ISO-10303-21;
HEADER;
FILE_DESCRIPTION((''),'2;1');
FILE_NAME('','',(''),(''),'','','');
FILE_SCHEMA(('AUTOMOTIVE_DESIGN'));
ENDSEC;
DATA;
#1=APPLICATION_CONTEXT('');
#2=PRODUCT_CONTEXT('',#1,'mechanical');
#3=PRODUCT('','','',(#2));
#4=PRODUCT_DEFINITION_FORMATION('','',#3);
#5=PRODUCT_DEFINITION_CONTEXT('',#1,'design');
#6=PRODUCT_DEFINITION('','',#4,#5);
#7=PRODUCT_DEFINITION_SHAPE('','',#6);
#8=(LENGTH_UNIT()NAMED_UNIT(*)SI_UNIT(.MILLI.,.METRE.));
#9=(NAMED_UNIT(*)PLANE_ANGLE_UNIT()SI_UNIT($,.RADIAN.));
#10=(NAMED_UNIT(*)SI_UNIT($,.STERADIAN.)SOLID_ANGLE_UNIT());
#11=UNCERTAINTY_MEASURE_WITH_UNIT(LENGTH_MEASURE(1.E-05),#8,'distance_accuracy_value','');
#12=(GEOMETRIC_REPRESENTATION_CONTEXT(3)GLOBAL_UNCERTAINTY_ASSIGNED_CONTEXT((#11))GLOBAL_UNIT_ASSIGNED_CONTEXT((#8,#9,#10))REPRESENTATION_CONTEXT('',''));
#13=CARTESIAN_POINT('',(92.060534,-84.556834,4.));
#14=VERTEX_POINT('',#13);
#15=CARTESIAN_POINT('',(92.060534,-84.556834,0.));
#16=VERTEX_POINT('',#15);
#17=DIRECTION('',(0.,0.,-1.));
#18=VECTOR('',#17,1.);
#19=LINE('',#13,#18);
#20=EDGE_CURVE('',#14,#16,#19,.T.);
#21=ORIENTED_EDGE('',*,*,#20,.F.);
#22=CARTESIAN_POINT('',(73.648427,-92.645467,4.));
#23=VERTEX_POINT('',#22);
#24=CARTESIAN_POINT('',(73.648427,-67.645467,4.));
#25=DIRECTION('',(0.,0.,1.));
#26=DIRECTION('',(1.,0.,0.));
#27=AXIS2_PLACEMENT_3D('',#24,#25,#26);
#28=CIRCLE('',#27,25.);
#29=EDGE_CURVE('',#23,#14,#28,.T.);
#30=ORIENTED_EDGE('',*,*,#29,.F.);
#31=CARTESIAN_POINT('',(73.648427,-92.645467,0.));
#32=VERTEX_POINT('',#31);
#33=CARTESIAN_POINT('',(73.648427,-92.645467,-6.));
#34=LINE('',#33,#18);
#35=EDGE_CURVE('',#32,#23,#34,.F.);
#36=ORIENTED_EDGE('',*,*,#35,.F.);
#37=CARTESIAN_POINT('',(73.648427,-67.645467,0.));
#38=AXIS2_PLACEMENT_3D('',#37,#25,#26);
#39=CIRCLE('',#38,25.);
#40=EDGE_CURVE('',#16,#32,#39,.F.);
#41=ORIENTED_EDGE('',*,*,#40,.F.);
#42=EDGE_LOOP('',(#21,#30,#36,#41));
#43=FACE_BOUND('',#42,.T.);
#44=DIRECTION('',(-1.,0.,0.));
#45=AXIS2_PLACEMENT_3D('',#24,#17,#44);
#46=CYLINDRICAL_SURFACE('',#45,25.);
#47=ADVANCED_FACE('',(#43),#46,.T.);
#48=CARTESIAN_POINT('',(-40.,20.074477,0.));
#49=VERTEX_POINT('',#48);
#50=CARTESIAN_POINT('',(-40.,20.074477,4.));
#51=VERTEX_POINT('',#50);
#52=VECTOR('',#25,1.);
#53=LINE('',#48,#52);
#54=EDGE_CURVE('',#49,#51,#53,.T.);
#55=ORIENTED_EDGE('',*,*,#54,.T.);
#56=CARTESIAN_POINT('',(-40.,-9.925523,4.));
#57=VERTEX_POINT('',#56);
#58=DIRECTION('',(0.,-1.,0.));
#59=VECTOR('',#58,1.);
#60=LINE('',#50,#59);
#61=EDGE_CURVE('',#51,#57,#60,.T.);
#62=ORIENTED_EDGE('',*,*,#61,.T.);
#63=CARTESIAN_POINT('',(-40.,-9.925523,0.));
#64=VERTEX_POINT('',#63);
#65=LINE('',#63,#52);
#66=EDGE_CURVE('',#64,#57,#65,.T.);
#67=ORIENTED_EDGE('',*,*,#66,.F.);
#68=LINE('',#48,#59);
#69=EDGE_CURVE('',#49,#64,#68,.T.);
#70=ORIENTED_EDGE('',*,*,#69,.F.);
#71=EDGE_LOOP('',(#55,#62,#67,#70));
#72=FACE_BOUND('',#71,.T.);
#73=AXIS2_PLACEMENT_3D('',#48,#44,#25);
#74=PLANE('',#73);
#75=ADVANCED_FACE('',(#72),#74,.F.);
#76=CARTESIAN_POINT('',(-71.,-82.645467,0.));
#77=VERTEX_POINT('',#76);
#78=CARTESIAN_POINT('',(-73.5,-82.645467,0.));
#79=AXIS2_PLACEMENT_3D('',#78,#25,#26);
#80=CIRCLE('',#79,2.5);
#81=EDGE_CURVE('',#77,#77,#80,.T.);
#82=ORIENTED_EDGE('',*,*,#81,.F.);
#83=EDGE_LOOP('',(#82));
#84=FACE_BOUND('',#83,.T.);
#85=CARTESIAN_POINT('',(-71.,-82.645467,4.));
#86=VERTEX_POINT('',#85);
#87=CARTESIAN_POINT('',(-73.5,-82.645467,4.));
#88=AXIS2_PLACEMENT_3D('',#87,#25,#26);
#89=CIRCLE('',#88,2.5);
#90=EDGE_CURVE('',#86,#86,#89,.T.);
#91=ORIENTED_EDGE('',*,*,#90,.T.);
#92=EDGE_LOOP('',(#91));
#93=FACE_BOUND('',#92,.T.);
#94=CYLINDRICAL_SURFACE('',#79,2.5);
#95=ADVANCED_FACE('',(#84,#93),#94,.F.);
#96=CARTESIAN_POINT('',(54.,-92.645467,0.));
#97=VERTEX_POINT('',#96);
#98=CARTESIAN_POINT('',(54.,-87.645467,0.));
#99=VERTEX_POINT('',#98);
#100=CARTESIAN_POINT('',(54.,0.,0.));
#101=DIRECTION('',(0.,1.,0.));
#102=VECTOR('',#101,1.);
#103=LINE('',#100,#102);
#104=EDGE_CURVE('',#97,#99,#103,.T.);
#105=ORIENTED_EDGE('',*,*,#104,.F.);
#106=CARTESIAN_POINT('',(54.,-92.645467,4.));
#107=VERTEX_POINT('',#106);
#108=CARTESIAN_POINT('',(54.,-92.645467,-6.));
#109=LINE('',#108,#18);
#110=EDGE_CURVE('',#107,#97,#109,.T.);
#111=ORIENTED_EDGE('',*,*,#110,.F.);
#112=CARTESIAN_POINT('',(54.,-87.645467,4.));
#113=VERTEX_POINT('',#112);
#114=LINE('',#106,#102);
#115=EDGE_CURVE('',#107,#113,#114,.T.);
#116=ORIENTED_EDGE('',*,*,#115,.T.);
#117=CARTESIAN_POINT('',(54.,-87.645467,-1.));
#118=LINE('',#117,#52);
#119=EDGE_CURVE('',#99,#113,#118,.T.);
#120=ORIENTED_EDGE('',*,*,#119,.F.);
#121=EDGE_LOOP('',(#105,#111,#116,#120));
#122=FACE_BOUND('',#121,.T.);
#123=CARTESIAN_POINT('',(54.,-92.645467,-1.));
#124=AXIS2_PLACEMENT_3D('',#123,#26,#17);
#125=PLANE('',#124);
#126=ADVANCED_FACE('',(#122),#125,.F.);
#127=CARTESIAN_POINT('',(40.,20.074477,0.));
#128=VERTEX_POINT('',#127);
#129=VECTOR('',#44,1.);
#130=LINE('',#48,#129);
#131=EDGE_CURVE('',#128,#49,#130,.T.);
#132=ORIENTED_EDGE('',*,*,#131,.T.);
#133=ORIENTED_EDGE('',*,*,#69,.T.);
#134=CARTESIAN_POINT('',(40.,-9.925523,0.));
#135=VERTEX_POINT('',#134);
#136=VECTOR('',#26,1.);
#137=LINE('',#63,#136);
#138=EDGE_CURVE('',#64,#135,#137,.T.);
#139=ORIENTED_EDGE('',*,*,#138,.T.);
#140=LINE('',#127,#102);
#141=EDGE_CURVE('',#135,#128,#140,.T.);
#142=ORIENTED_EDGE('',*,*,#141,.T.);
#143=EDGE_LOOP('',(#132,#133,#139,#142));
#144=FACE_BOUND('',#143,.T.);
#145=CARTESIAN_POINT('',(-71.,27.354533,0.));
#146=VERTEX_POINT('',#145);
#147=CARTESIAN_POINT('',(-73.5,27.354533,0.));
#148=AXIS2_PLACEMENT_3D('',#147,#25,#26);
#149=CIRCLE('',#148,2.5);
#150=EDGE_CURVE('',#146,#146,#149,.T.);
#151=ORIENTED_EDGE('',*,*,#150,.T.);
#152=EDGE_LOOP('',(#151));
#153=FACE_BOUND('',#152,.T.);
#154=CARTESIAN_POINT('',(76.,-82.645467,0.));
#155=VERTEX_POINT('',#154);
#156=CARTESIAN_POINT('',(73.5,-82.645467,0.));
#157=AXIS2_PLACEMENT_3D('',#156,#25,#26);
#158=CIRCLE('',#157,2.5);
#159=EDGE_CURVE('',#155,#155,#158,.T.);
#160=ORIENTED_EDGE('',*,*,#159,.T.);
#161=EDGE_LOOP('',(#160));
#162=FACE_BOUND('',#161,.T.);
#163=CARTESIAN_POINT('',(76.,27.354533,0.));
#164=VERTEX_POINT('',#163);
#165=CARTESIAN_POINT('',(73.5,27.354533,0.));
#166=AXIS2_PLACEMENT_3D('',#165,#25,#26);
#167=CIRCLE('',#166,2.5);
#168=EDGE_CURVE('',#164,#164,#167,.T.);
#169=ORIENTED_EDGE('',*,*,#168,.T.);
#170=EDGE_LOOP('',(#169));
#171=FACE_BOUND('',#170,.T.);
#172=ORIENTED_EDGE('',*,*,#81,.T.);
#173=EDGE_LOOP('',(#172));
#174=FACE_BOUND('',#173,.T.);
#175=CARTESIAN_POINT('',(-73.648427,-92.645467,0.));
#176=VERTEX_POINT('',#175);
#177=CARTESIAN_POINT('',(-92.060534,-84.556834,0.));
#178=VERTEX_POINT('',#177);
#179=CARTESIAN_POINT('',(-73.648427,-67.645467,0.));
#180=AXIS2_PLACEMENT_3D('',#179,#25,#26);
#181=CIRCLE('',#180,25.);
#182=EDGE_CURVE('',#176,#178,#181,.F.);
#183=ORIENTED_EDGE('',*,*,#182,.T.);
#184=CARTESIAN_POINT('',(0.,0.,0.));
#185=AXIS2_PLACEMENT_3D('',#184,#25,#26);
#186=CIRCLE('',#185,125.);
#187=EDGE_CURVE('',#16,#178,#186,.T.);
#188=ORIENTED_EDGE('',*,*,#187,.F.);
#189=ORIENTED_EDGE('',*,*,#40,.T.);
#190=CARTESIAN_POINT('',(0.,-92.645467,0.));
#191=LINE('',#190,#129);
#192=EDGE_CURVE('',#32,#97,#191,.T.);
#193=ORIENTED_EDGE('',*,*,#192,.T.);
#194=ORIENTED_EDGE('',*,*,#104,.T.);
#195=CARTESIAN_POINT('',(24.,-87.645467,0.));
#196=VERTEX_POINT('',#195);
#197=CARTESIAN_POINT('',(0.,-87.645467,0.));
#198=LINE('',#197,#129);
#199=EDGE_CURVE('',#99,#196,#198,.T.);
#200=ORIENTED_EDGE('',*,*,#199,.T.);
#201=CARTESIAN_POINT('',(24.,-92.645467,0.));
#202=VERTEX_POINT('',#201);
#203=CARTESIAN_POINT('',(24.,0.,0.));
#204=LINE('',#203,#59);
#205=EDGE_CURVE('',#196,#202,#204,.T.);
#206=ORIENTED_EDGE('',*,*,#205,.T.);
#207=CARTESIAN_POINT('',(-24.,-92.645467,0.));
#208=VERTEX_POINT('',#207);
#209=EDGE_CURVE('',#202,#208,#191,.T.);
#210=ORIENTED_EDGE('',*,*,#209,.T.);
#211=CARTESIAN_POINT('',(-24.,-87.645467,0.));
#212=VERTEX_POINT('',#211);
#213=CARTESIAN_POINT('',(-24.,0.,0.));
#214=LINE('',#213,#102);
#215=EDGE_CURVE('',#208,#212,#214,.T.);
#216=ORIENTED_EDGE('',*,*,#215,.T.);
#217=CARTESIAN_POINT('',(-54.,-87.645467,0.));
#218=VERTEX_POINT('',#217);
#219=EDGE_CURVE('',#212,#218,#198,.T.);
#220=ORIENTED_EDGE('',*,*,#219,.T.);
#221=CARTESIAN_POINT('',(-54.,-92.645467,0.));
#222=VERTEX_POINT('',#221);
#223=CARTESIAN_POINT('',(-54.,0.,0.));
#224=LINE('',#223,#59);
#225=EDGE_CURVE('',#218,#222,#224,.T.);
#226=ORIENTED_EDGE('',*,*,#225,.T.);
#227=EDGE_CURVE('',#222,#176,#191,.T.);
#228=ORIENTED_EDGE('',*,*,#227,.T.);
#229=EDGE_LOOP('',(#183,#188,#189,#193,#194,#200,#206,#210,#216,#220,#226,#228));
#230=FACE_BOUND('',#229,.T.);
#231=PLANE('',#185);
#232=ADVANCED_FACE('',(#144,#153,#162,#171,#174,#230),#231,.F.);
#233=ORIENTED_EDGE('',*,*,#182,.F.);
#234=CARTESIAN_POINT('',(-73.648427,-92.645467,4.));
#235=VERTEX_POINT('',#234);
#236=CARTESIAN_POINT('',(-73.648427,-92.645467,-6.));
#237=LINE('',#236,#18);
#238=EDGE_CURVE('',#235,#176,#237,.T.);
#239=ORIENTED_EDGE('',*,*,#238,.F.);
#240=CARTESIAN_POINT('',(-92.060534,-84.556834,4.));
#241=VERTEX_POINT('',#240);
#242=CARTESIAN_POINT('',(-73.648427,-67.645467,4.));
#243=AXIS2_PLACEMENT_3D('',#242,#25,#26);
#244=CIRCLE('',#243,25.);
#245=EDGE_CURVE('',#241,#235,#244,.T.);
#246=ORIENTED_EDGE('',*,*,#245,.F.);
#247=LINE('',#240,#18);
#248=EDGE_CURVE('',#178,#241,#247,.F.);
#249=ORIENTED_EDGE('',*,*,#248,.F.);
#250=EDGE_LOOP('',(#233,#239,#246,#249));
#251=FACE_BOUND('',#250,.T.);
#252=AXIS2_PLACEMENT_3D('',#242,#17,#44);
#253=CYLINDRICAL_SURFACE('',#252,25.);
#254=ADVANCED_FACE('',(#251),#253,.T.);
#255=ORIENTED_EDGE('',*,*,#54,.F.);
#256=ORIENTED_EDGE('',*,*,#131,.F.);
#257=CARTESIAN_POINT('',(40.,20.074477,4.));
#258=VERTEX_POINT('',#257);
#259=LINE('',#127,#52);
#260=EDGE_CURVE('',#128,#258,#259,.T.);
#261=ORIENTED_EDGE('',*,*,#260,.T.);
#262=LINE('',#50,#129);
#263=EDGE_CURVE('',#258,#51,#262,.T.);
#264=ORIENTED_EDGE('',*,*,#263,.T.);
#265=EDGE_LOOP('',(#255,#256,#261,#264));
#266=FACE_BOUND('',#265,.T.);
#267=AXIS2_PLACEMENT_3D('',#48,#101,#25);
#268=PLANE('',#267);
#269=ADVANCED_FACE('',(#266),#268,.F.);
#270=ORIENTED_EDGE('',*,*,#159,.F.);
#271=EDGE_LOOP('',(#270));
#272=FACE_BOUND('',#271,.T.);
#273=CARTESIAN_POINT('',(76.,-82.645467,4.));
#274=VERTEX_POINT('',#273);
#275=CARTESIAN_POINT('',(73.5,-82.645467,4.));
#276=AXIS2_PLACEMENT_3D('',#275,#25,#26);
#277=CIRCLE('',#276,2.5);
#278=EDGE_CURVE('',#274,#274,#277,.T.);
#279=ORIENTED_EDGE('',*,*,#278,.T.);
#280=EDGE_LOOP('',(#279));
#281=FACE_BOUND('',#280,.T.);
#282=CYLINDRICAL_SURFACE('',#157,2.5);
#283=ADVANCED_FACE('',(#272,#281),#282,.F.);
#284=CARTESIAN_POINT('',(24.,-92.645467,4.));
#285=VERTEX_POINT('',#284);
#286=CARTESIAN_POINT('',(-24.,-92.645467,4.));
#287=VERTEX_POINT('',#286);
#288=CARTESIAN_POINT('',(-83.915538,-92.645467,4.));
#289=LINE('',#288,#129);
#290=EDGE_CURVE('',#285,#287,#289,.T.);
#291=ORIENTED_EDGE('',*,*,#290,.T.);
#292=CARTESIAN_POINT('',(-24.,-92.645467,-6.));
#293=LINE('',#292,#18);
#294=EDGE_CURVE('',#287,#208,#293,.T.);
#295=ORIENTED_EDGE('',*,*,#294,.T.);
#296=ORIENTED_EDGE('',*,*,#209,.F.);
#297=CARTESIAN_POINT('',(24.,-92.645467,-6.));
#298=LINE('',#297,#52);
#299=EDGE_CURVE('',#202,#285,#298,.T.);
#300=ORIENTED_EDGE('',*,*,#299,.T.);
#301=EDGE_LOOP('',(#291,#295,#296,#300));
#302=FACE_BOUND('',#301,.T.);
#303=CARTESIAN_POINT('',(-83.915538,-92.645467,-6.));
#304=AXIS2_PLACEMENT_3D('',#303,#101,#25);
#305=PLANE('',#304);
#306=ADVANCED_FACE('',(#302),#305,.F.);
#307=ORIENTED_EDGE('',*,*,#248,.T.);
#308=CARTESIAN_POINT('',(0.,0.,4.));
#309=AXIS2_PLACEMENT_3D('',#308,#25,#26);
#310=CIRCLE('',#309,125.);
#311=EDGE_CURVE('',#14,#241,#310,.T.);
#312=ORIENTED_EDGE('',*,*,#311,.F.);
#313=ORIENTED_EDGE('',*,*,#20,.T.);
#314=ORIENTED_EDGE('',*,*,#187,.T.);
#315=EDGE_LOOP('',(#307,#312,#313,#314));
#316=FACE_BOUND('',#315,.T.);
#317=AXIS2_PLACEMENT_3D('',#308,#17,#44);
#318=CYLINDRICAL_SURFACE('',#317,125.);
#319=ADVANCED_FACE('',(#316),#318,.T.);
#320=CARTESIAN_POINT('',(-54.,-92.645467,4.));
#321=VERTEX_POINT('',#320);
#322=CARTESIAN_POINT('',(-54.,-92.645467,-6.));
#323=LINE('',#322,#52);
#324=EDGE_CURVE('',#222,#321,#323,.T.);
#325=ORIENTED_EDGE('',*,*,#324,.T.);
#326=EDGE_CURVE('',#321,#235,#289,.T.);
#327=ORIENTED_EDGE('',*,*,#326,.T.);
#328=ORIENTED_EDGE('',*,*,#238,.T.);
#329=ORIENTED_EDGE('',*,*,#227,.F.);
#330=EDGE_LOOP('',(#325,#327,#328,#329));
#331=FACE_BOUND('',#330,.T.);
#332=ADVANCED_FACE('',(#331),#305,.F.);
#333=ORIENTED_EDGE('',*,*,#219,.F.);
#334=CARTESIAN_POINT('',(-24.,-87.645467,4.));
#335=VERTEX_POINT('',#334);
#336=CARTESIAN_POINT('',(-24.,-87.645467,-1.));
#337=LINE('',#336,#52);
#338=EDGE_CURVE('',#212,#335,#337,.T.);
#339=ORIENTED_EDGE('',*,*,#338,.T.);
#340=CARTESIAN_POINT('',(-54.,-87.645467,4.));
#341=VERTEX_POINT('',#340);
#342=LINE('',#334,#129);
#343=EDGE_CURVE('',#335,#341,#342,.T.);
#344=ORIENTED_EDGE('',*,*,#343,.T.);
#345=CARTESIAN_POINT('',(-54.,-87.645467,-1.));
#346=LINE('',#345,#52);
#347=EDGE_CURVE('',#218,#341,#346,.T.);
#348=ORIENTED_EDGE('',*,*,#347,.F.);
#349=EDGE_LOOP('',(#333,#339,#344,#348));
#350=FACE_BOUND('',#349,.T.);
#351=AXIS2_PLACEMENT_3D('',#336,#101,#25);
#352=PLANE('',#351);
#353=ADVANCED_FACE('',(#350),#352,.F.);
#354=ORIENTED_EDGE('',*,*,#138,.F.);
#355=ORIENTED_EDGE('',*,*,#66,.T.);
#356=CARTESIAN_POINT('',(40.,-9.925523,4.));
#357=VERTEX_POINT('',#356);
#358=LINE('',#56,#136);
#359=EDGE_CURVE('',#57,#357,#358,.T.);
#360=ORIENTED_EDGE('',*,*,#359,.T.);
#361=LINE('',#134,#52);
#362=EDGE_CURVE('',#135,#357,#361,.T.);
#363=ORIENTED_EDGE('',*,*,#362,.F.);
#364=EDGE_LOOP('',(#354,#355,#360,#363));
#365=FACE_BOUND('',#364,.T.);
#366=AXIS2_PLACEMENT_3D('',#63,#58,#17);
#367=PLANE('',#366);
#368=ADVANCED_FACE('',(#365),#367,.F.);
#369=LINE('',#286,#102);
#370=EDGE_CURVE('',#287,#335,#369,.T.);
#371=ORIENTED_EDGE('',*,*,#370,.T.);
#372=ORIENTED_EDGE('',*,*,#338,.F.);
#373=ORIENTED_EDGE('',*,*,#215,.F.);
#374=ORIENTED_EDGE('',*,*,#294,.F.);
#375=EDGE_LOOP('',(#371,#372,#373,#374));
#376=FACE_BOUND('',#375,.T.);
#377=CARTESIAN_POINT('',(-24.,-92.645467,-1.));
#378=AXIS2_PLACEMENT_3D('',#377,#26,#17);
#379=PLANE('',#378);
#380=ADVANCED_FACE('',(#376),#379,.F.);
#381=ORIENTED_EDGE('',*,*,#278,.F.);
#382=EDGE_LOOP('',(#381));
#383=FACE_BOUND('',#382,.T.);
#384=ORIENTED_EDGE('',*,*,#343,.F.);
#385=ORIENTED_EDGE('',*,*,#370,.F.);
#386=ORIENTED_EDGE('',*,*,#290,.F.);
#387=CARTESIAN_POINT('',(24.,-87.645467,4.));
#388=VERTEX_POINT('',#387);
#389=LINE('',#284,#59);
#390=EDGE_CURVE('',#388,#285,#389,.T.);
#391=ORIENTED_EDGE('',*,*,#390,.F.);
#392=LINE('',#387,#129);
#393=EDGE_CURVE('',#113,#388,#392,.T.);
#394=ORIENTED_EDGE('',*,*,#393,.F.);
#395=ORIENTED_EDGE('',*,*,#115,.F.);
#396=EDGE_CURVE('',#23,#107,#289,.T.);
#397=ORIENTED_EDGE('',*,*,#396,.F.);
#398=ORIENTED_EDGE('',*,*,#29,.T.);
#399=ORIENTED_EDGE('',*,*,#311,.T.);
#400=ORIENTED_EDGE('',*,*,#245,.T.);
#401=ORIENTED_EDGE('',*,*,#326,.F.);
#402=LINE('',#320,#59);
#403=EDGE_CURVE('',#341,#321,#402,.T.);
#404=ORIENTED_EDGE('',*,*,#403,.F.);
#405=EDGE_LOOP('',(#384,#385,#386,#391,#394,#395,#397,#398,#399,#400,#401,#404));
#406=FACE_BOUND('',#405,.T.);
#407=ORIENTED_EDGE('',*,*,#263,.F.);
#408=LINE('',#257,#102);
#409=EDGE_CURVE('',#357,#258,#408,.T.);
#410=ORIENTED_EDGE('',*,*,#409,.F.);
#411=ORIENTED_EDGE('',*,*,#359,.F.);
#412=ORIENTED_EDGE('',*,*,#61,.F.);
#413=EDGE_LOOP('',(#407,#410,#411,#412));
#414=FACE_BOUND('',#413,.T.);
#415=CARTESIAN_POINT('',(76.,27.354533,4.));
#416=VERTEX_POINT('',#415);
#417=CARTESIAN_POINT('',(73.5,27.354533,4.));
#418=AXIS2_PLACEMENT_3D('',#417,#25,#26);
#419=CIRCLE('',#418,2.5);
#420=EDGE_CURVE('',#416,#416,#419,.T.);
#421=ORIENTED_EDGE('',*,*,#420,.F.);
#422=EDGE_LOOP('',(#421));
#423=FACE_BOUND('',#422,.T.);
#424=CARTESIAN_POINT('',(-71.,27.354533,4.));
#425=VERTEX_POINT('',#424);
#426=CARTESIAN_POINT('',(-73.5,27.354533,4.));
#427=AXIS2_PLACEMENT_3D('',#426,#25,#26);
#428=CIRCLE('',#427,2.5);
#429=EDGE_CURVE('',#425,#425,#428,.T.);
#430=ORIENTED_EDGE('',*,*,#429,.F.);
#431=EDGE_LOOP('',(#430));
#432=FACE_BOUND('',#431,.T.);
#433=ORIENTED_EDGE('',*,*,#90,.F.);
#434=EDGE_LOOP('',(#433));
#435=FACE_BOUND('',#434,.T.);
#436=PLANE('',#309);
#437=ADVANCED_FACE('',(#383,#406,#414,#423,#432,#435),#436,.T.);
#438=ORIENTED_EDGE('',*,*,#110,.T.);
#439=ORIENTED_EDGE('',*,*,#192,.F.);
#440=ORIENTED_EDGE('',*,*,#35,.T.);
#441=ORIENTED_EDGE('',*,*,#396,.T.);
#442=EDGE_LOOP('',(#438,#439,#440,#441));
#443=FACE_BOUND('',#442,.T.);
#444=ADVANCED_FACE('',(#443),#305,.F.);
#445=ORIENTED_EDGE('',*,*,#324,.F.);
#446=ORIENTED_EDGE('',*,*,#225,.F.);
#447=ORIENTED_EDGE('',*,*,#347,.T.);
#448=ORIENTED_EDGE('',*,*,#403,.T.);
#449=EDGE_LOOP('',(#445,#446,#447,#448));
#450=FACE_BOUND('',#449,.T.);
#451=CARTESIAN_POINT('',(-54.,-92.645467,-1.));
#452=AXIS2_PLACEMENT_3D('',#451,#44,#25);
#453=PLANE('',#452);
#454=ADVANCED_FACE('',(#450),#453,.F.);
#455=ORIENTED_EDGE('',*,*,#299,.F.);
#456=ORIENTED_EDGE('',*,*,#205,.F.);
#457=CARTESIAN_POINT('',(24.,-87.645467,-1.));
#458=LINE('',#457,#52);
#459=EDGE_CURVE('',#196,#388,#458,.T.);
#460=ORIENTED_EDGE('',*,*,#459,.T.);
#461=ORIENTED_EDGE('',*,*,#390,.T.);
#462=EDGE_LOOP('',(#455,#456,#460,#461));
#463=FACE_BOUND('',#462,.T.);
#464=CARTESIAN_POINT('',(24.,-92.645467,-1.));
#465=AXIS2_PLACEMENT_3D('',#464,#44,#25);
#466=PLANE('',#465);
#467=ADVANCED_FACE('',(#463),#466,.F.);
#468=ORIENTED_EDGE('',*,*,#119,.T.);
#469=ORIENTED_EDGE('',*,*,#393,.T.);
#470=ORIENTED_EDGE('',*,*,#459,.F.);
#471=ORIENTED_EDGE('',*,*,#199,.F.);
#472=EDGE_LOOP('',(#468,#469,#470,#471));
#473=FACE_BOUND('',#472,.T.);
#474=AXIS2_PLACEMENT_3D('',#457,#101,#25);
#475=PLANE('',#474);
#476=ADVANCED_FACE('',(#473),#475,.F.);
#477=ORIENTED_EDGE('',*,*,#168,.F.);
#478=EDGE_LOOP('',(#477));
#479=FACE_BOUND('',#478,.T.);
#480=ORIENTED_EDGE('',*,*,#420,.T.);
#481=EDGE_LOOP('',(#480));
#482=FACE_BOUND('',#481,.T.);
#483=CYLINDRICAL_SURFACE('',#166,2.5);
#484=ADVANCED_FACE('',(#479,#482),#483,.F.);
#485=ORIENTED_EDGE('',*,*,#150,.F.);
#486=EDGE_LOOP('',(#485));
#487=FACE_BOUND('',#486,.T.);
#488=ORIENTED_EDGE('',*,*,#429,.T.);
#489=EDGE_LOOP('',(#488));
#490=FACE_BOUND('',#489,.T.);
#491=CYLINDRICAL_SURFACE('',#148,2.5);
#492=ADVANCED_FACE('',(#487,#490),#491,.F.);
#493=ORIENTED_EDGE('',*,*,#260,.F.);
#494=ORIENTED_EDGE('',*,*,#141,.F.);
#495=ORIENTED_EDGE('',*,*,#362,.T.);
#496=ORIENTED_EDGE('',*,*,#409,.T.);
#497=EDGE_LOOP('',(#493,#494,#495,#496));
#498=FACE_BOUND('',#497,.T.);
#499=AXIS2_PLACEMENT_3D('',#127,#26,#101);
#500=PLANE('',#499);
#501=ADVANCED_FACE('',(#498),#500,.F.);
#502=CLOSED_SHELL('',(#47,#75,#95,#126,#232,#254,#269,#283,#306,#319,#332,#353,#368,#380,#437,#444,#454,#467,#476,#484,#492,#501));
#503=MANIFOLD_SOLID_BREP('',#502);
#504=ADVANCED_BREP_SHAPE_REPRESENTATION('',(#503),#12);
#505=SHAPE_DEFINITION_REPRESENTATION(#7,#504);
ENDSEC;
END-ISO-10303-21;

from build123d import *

# Parameters (mm, degrees)
SKETCH1_R           = 125
BOSS_EXTRUDE1_DEPTH = 4
CUT_EXTRUDE2_START  = -10
CUT_EXTRUDE2_DEPTH  = 10
FILLET1_R           = 25
SKETCH6_W           = 30
SKETCH6_H           = 5
CUT_EXTRUDE5_DEPTH  = 5
SKETCH7_R           = 2.5
CUT_EXTRUDE6_DEPTH  = 177.821944339
SKETCH8_W           = 80
SKETCH8_H           = 30
CUT_EXTRUDE7_DEPTH  = 177.821944339


with BuildPart() as part:
    # Sketch1 → Boss-Extrude1 (new body)
    with BuildSketch(Plane.XY):
        Circle(SKETCH1_R)
    extrude(amount=BOSS_EXTRUDE1_DEPTH)

    # Sketch3 → Cut-Extrude2 (cut)
    with BuildSketch(Plane.XY.offset(4).offset(CUT_EXTRUDE2_START)):
        with BuildLine():
            Line((-83.915537646, -92.645466924), (83.915537646, -92.645466924))
            ThreePointArc((83.915537646, -92.645466924), (0, -125), (-83.915537646, -92.645466924))
        make_face()
    extrude(amount=CUT_EXTRUDE2_DEPTH, mode=Mode.SUBTRACT)

    # Fillet1
    fillet1_edges = [part.edges().sort_by_distance(p)[0] for p in [
        (83.915537646, -92.645466924, 2),
        (-83.915537646, -92.645466924, 2),
    ]]
    fillet(fillet1_edges, radius=FILLET1_R)

    # Sketch6 → Cut-Extrude5 (cut)
    with BuildSketch(Plane.XY.offset(4)):
        with Locations((39, -90.145466924)):
            Rectangle(SKETCH6_W, SKETCH6_H)
        with Locations((-39, -90.145466924)):
            Rectangle(SKETCH6_W, SKETCH6_H)
    extrude(amount=-CUT_EXTRUDE5_DEPTH, mode=Mode.SUBTRACT)

    # Sketch7 → Cut-Extrude6 (cut, through all)
    with BuildSketch(Plane.XY.offset(4)):
        with Locations((73.5, -82.645466924)):
            Circle(SKETCH7_R)
        with Locations((73.5, 27.354533076)):
            Circle(SKETCH7_R)
        with Locations((-73.5, 27.354533076)):
            Circle(SKETCH7_R)
        with Locations((-73.5, -82.645466924)):
            Circle(SKETCH7_R)
    extrude(amount=-CUT_EXTRUDE6_DEPTH, mode=Mode.SUBTRACT)

    # Sketch8 → Cut-Extrude7 (cut, through all)
    with BuildSketch(Plane.XY.offset(4)):
        with Locations((0, 5.074477417)):
            Rectangle(SKETCH8_W, SKETCH8_H)
    extrude(amount=-CUT_EXTRUDE7_DEPTH, mode=Mode.SUBTRACT)


solid = part.part
